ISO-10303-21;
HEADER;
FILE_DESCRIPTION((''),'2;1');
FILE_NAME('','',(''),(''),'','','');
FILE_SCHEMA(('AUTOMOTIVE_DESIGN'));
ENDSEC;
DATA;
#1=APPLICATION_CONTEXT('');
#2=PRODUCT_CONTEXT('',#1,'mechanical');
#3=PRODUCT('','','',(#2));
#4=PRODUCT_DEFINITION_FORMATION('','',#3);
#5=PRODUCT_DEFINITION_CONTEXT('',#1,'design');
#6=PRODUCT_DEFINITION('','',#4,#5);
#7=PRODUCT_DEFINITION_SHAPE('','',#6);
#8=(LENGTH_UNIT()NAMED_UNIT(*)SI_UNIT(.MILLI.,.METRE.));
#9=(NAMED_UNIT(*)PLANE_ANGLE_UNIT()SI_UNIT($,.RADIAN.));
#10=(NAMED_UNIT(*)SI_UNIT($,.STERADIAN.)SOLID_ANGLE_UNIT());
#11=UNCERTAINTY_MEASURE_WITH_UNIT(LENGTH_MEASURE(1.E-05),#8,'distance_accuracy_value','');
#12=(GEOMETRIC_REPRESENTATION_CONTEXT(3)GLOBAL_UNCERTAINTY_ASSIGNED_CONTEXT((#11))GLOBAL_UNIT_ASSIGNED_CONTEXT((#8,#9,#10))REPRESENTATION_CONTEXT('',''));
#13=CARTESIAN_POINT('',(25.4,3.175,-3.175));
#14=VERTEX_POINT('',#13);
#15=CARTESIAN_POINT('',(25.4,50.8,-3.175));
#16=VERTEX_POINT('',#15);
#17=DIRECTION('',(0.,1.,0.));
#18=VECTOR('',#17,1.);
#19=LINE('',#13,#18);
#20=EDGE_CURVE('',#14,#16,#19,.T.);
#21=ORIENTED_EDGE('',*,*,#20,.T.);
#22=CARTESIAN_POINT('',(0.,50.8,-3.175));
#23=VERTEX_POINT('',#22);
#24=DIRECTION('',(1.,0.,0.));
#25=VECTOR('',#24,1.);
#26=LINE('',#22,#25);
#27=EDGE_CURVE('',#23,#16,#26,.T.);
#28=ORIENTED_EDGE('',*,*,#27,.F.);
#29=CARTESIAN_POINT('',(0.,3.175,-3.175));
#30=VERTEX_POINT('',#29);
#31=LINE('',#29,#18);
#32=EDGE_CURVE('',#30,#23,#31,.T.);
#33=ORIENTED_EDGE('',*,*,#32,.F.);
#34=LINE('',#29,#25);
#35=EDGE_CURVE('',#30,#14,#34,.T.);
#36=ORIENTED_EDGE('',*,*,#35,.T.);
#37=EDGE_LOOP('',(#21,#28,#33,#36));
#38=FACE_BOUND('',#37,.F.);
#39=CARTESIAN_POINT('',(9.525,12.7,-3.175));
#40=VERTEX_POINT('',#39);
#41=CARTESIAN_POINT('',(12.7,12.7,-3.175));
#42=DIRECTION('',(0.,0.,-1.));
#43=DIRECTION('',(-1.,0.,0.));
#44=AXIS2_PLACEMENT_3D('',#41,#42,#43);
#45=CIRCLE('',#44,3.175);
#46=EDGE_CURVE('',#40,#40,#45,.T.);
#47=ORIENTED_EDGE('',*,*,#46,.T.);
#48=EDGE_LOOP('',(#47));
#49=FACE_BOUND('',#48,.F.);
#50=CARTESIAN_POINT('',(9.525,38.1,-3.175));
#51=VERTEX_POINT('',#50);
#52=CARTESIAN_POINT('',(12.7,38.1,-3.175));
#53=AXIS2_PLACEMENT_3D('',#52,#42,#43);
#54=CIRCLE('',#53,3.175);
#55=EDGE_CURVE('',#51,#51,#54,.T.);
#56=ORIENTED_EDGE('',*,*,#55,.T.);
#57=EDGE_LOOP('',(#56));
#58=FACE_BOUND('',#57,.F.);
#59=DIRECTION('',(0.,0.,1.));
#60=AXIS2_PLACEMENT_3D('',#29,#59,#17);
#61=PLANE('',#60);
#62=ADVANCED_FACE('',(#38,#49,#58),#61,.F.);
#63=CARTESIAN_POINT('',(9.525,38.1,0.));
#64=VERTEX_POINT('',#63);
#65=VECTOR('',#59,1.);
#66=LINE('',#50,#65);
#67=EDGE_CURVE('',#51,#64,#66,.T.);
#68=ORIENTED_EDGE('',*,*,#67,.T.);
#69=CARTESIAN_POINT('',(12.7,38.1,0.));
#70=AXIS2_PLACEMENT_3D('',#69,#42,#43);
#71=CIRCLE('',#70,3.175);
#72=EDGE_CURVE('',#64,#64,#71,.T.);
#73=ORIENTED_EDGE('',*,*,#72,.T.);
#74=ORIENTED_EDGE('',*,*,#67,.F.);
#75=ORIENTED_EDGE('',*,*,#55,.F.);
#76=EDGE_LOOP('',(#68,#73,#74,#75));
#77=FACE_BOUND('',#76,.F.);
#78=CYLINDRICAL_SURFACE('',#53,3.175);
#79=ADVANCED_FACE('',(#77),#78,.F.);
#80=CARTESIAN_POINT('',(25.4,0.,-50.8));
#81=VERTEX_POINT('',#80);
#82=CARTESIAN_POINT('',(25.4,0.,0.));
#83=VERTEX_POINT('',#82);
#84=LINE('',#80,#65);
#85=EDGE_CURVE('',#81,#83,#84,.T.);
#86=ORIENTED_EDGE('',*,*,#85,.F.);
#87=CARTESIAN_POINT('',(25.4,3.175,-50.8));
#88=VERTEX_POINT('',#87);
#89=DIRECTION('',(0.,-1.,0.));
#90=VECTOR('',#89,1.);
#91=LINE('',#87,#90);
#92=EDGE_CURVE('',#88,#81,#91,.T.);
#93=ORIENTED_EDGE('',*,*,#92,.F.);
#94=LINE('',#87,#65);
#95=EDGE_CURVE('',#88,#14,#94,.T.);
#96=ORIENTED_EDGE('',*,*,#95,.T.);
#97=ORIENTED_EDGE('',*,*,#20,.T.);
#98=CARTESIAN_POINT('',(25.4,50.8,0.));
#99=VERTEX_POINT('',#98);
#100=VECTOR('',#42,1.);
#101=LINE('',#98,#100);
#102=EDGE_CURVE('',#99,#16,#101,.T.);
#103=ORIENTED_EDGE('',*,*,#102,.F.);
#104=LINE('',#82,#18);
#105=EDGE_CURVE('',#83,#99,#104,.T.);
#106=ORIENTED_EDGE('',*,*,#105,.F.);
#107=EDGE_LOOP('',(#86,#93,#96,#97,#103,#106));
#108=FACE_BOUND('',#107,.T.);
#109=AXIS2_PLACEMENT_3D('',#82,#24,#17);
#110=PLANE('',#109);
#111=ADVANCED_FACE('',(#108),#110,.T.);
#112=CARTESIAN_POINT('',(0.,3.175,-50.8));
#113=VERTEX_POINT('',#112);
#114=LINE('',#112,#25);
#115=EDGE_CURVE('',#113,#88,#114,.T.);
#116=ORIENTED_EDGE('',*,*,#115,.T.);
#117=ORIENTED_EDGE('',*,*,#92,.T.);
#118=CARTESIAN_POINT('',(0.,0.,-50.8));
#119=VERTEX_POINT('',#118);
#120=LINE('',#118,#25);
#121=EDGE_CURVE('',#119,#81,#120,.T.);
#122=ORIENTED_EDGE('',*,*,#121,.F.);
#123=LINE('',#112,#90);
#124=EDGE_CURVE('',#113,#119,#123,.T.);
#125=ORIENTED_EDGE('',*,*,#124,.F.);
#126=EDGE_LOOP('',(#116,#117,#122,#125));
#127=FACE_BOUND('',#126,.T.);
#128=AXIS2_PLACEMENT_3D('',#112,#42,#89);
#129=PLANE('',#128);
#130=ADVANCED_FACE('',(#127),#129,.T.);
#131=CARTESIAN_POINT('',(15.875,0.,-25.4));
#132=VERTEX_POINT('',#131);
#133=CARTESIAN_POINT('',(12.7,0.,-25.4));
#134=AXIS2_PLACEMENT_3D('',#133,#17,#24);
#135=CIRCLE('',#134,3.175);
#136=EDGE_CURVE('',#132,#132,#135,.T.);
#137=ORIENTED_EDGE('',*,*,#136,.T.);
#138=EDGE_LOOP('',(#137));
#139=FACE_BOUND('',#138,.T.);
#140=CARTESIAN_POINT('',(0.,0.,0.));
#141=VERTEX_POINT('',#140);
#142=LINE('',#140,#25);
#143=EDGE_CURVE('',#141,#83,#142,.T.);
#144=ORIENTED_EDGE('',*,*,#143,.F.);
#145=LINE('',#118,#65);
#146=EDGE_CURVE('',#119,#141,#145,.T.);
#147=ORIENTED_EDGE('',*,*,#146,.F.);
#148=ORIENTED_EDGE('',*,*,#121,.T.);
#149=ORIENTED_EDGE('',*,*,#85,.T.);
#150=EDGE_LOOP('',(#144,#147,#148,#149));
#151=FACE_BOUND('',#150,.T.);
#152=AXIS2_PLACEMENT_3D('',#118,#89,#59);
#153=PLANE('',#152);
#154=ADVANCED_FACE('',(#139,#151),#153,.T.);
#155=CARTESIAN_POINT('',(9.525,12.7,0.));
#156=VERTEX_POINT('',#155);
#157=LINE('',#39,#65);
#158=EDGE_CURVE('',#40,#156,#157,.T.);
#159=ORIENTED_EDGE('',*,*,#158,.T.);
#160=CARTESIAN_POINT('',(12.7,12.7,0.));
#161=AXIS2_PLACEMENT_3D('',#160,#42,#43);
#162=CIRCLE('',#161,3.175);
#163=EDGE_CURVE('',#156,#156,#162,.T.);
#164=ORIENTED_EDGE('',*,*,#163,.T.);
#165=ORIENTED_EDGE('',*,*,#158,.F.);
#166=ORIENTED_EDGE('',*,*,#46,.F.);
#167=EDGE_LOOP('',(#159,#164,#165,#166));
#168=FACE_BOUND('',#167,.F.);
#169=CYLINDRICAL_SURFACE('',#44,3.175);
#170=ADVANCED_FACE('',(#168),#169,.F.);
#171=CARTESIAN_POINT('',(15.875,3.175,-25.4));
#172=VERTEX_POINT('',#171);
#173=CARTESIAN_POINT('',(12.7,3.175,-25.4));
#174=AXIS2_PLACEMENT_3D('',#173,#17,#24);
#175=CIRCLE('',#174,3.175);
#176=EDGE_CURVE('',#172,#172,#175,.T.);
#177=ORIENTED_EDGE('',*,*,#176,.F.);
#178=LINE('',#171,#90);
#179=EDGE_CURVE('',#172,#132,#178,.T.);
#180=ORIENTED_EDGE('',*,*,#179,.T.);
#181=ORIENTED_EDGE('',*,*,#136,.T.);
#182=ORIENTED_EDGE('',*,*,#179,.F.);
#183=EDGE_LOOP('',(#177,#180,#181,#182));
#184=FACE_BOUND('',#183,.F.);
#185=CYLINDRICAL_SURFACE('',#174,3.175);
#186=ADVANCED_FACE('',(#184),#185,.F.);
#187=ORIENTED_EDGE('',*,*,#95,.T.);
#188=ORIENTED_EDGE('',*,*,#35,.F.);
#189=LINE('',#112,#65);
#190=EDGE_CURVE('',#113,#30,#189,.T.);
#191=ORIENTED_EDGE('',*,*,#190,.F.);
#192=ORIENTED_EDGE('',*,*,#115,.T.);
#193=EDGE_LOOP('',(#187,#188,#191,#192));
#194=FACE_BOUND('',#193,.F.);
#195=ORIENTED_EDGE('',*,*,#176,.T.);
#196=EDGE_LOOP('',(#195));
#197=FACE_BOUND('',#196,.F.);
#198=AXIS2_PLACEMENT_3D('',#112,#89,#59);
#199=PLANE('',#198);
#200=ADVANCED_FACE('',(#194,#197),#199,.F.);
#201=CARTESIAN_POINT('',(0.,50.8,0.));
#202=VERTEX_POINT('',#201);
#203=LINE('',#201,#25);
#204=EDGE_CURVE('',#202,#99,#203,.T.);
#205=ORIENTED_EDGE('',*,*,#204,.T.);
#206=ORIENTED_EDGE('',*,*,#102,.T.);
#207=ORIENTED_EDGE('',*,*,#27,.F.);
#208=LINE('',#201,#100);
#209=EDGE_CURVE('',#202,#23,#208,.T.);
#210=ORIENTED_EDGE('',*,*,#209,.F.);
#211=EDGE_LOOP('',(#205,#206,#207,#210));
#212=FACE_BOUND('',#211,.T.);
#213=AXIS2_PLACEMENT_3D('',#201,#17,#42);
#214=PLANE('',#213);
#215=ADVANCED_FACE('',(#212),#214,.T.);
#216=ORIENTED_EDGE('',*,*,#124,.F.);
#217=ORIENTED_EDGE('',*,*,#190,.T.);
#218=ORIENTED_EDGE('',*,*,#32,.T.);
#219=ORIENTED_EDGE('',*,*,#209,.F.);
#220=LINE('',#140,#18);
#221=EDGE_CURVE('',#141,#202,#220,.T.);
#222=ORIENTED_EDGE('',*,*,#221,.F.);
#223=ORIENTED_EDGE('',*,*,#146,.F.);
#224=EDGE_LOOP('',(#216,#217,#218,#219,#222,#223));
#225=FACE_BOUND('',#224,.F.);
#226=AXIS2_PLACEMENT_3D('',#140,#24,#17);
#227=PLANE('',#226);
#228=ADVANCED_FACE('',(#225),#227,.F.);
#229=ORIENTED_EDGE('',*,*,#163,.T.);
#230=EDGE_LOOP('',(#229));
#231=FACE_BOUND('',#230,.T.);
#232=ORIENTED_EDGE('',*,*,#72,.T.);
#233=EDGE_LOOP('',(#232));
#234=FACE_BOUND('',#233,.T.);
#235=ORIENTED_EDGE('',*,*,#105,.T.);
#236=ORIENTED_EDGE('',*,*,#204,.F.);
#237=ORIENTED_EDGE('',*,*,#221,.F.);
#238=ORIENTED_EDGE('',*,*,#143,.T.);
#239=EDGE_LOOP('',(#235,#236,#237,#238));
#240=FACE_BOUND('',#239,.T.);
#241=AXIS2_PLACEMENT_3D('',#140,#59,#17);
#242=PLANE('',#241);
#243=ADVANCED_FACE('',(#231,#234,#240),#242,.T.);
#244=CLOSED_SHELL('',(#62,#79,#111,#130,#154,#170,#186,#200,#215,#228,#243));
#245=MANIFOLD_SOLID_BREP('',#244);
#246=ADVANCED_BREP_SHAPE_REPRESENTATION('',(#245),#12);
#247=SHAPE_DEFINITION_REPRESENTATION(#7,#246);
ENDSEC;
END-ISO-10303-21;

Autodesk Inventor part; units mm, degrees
ref_plane "YZ Plane" through (0, 0, 0) normal (1, 0, 0) x (0, 1, 0)
ref_plane "XZ Plane" through (0, 0, 0) normal (0, 1, 0) x (-1, 0, 0)
ref_plane "XY Plane" through (0, 0, 0) normal (0, 0, 1) x (1, 0, 0)
sketch "Sketch1" plane through (0, 0, 0) normal (1, 0, 0) x (0, 1, 0)
  line L0 (0, 0) -> (50.8, 0)
  line L1 (50.8, 0) -> (50.8, -3.175)
  line L2 (3.175, -50.8) -> (0, -50.8)
  line L3 (0, -50.8) -> (0, 0)
  line L4 (3.175, -50.8) -> (3.175, -3.175)
  line L5 (3.175, -3.175) -> (50.8, -3.175)
  dimension "d0" = 3.175
  dimension "d1" = 50.8
extrude "Extrusion1" add sketch "Sketch1" along normal blind 25.4
sketch "Sketch2" plane through (0, 3.175, -3.175) normal (0, 1, 0) x (1, 0, 0)
  line L0 (0, 47.625) -> (25.4, 47.625) projected
  line L1 (12.7, 47.625) -> (12.7, 11.1903) construction
  circle A0 centre (12.7, 22.225) radius 3.175
  line L2 (0, -3.175) -> (25.4, -3.175) projected
  dimension "d4" = 6.35
  dimension "d5" = 25.4
extrude "Extrusion2" cut sketch "Sketch2" against normal blind 3.175
sketch "Sketch4" plane through (0, 3.175, -3.175) normal (0, 0, -1) x (-1, 0, 0)
  line L0 (0, 47.625) -> (-25.4, 47.625) projected
  line L1 (-12.7, 47.625) -> (-12.7, 26.8905) construction
  circle A0 centre (-12.7, 34.925) radius 3.175
  circle A1 centre (-12.7, 9.525) radius 3.175
  line L2 (0, -3.175) -> (-25.4, -3.175) projected
  dimension "d8" = 6.35
  dimension "d9" = 12.7
  dimension "d10" = 38.1
extrude "Extrusion3" cut sketch "Sketch4" against normal blind 3.175
properties part number "Bracket"
